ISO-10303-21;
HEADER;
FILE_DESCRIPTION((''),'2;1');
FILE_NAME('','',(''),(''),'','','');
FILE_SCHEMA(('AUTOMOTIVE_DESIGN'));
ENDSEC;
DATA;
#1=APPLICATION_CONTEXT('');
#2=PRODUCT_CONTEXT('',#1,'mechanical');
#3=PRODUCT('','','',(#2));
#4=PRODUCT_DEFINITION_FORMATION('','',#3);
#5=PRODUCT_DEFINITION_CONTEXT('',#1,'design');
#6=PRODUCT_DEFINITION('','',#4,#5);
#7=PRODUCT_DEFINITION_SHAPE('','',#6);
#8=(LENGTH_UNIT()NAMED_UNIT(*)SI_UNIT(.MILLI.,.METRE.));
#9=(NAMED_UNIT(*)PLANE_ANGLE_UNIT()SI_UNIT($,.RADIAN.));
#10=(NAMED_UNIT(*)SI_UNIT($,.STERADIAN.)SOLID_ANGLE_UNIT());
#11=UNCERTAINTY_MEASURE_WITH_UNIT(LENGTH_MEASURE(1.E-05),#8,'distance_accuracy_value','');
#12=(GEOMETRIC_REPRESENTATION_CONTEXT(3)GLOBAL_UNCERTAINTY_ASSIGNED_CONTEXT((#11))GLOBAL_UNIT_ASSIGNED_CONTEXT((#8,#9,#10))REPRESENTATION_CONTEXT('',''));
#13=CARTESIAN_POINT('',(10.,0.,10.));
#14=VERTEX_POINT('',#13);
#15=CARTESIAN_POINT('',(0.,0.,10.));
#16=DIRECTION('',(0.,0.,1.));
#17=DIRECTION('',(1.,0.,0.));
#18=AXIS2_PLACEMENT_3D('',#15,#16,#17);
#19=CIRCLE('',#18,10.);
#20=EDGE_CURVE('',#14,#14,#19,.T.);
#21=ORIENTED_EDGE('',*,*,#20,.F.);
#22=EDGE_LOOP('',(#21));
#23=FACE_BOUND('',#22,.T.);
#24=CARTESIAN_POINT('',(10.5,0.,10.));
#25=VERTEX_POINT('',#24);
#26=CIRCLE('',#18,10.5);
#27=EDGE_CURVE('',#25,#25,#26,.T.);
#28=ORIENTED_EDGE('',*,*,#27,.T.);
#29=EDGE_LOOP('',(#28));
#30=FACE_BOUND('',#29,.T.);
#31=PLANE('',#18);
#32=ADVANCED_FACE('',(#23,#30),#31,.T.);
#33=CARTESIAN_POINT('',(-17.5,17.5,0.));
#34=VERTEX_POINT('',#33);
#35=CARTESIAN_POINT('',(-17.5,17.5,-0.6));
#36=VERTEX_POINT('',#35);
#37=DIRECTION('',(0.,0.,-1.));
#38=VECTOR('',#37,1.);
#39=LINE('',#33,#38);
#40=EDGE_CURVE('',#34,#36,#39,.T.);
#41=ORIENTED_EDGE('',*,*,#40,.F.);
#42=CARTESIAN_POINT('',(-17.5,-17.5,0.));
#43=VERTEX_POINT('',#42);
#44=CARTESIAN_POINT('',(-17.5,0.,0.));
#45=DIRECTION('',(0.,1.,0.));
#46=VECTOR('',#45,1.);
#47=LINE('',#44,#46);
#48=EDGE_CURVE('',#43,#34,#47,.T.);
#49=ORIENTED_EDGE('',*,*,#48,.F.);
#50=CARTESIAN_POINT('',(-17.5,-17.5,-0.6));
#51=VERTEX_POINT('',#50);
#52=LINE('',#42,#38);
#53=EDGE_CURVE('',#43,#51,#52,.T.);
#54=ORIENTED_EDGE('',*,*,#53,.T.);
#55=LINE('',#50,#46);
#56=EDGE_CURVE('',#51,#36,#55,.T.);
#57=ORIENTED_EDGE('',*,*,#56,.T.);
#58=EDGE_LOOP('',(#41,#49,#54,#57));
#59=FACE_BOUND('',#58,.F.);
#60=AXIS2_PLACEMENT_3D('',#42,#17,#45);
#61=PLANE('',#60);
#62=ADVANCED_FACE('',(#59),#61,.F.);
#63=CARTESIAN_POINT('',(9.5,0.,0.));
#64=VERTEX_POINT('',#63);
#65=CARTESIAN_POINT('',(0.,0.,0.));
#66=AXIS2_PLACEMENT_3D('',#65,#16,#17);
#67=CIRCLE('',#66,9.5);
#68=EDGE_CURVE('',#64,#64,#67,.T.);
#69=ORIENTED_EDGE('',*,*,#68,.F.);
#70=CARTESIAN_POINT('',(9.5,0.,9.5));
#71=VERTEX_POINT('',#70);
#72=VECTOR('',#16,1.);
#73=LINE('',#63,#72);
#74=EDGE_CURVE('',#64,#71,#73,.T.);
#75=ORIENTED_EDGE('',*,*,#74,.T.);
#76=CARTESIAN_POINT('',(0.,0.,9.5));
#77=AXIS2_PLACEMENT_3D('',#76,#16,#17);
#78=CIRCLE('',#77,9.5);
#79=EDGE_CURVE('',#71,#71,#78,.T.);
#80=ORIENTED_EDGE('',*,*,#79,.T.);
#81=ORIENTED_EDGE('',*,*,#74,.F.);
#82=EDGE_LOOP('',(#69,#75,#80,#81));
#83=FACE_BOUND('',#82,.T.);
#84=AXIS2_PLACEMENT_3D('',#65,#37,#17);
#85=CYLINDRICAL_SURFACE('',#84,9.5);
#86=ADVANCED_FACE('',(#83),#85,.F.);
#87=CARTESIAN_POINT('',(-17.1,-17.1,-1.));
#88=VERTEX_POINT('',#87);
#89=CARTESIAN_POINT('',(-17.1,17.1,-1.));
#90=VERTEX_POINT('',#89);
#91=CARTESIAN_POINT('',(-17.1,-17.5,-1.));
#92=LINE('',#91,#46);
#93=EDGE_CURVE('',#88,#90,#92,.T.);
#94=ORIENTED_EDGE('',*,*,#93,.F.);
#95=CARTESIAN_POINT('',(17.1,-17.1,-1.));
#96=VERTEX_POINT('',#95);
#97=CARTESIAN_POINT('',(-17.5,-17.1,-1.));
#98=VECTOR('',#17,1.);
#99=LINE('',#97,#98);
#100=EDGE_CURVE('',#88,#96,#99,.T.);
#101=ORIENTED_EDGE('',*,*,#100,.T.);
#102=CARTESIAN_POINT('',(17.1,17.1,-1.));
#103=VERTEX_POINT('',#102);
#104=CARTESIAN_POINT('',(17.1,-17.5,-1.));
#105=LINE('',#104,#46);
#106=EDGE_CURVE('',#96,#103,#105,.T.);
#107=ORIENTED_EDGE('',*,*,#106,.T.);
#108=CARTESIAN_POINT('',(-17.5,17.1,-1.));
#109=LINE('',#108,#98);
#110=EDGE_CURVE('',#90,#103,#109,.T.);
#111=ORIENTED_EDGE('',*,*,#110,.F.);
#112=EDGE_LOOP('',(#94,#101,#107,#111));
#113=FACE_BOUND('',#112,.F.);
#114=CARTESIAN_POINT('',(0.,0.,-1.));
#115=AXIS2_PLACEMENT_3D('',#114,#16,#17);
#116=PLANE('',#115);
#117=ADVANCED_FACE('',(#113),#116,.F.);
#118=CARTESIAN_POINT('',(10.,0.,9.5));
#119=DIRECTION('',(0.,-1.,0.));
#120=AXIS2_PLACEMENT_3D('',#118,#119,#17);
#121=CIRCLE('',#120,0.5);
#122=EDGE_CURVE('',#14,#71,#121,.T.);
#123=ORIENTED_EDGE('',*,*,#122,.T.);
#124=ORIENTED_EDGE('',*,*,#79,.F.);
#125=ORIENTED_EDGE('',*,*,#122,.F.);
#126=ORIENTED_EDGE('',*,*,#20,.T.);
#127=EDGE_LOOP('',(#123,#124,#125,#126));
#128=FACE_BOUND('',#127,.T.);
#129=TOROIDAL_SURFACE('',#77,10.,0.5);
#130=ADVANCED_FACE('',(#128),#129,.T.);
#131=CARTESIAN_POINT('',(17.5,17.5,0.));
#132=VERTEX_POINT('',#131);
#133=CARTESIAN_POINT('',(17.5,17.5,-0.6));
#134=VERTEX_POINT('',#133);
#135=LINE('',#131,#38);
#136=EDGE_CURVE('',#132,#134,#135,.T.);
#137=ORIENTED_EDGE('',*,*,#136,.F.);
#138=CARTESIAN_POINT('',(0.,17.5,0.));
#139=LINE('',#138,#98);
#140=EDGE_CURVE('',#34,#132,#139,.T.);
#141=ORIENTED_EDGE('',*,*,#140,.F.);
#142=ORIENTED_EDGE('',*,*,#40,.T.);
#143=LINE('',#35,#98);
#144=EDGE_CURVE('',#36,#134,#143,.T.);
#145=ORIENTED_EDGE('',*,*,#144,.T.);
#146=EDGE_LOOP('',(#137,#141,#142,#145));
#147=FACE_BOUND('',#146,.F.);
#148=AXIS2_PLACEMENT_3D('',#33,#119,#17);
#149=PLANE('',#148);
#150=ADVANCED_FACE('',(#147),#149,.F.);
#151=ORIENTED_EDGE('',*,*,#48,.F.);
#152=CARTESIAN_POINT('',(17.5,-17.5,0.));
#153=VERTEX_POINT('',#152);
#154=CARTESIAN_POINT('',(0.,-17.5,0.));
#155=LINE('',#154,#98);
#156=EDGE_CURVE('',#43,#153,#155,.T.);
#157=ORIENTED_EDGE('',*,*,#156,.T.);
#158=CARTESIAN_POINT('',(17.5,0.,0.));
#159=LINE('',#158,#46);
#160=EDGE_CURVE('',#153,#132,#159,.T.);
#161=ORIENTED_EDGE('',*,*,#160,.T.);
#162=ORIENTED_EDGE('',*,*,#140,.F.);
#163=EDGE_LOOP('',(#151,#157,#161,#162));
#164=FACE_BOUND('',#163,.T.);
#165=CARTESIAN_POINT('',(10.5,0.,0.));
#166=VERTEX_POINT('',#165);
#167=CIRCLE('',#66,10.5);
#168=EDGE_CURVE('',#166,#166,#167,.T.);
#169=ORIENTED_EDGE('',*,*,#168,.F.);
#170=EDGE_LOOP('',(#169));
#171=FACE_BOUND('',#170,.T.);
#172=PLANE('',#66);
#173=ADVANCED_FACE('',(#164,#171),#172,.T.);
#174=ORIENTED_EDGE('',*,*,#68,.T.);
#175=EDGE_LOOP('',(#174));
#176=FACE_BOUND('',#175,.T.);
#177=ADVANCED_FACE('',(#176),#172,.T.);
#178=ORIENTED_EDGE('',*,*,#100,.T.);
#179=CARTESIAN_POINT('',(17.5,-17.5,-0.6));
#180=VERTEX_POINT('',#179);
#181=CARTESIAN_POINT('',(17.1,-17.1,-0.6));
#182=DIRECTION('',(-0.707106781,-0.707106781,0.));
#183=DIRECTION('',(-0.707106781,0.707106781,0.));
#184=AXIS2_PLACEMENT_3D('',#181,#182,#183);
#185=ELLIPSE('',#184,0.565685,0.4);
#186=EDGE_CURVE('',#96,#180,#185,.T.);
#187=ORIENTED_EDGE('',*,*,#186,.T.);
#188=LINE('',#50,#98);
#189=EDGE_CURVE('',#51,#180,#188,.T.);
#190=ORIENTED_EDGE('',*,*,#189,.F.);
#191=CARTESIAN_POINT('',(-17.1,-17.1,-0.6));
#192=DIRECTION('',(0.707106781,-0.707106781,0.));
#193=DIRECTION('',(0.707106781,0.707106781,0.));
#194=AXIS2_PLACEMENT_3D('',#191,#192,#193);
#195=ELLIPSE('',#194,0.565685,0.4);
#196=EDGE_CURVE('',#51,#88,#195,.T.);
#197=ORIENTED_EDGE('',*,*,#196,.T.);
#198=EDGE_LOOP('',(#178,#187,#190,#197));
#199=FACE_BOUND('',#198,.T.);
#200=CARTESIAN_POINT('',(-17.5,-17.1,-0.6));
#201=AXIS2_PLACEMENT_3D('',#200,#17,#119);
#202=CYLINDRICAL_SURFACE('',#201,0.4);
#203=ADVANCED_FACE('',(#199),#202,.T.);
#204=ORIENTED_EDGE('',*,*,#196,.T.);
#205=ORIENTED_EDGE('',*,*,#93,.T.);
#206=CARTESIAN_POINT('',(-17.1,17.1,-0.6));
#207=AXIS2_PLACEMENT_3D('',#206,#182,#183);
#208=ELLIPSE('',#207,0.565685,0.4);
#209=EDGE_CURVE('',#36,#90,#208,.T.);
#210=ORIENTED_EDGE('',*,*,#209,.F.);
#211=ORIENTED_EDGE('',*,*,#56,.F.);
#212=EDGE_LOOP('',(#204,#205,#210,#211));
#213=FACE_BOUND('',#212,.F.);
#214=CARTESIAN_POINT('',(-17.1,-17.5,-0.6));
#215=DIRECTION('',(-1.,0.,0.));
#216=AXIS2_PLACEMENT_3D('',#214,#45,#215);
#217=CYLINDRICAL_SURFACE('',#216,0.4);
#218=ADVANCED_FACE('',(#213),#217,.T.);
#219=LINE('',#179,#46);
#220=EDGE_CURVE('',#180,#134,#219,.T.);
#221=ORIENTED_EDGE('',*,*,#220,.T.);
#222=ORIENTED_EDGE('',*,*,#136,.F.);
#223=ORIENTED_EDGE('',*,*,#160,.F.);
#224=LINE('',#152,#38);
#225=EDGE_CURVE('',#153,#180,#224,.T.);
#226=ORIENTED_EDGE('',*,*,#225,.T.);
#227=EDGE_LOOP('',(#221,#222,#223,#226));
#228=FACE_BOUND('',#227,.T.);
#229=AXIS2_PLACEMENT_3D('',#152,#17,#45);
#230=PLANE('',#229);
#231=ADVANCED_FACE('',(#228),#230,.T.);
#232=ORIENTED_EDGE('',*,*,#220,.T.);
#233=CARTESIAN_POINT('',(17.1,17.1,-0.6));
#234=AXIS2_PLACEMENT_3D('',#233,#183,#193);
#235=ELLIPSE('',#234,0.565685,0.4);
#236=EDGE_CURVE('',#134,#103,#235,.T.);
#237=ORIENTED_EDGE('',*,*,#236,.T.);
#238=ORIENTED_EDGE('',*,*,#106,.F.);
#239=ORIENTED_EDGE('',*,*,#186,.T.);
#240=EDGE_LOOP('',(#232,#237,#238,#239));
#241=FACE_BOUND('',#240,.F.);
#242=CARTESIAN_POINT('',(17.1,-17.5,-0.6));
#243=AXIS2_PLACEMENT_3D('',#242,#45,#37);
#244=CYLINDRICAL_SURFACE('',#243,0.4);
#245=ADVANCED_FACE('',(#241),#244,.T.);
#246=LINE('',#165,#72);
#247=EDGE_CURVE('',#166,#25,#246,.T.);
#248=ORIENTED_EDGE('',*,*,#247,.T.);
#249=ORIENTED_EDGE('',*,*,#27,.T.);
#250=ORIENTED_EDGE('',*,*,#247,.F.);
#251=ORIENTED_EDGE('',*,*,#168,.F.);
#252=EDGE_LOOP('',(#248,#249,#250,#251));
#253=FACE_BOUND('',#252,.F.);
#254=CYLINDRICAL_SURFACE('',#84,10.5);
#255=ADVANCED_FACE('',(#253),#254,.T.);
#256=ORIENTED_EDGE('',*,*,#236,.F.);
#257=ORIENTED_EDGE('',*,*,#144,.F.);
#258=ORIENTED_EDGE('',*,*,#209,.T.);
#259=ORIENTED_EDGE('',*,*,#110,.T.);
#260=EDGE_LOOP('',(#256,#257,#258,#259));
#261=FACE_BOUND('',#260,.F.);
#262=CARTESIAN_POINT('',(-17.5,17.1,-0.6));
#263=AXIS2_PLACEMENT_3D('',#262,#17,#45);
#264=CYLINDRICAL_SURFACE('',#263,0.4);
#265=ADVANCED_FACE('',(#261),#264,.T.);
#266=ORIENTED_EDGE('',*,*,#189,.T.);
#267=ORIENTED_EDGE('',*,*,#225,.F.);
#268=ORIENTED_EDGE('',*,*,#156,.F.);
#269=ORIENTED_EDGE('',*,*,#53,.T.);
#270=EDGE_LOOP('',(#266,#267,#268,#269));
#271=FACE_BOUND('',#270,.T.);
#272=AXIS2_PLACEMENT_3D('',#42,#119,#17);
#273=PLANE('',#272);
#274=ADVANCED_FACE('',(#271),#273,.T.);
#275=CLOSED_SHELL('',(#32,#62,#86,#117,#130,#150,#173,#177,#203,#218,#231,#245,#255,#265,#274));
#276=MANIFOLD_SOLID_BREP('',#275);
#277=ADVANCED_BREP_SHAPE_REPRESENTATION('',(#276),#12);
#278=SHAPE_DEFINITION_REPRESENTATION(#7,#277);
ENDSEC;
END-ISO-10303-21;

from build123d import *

# Parameters (mm, degrees)
F0_R     = 10.5
F0_R_2   = 9.5
F1_DEPTH = 10
F0_W     = 35
F0_H     = 35
F2_DEPTH = 1
F3_R     = 0.4
F4_R     = 0.5


with BuildPart() as f1:
    # F0 (on Top) → F1 (new body)
    with BuildSketch(Plane.XY):
        Circle(F0_R)
        Circle(F0_R_2, mode=Mode.SUBTRACT)
    extrude(amount=F1_DEPTH)

    # F0 (on Top) → F2 (join)
    with BuildSketch(Plane.XY):
        Rectangle(F0_W, F0_H)
        Circle(F0_R, mode=Mode.SUBTRACT)
        Circle(F0_R)
        Circle(F0_R_2, mode=Mode.SUBTRACT)
        Circle(F0_R_2)
    extrude(amount=-F2_DEPTH)

    # F3
    f3_edges = [f1.edges().sort_by_distance(p)[0] for p in [
        (-17.5, 0, -1),
        (0, 17.5, -1),
        (17.5, 0, -1),
        (0, -17.5, -1),
    ]]
    fillet(f3_edges, radius=F3_R)

    # F4
    f4_edges = [f1.edges().sort_by_distance(p)[0] for p in [
        (-9.5, 0, 10),
    ]]
    fillet(f4_edges, radius=F4_R)


solid = f1.part
